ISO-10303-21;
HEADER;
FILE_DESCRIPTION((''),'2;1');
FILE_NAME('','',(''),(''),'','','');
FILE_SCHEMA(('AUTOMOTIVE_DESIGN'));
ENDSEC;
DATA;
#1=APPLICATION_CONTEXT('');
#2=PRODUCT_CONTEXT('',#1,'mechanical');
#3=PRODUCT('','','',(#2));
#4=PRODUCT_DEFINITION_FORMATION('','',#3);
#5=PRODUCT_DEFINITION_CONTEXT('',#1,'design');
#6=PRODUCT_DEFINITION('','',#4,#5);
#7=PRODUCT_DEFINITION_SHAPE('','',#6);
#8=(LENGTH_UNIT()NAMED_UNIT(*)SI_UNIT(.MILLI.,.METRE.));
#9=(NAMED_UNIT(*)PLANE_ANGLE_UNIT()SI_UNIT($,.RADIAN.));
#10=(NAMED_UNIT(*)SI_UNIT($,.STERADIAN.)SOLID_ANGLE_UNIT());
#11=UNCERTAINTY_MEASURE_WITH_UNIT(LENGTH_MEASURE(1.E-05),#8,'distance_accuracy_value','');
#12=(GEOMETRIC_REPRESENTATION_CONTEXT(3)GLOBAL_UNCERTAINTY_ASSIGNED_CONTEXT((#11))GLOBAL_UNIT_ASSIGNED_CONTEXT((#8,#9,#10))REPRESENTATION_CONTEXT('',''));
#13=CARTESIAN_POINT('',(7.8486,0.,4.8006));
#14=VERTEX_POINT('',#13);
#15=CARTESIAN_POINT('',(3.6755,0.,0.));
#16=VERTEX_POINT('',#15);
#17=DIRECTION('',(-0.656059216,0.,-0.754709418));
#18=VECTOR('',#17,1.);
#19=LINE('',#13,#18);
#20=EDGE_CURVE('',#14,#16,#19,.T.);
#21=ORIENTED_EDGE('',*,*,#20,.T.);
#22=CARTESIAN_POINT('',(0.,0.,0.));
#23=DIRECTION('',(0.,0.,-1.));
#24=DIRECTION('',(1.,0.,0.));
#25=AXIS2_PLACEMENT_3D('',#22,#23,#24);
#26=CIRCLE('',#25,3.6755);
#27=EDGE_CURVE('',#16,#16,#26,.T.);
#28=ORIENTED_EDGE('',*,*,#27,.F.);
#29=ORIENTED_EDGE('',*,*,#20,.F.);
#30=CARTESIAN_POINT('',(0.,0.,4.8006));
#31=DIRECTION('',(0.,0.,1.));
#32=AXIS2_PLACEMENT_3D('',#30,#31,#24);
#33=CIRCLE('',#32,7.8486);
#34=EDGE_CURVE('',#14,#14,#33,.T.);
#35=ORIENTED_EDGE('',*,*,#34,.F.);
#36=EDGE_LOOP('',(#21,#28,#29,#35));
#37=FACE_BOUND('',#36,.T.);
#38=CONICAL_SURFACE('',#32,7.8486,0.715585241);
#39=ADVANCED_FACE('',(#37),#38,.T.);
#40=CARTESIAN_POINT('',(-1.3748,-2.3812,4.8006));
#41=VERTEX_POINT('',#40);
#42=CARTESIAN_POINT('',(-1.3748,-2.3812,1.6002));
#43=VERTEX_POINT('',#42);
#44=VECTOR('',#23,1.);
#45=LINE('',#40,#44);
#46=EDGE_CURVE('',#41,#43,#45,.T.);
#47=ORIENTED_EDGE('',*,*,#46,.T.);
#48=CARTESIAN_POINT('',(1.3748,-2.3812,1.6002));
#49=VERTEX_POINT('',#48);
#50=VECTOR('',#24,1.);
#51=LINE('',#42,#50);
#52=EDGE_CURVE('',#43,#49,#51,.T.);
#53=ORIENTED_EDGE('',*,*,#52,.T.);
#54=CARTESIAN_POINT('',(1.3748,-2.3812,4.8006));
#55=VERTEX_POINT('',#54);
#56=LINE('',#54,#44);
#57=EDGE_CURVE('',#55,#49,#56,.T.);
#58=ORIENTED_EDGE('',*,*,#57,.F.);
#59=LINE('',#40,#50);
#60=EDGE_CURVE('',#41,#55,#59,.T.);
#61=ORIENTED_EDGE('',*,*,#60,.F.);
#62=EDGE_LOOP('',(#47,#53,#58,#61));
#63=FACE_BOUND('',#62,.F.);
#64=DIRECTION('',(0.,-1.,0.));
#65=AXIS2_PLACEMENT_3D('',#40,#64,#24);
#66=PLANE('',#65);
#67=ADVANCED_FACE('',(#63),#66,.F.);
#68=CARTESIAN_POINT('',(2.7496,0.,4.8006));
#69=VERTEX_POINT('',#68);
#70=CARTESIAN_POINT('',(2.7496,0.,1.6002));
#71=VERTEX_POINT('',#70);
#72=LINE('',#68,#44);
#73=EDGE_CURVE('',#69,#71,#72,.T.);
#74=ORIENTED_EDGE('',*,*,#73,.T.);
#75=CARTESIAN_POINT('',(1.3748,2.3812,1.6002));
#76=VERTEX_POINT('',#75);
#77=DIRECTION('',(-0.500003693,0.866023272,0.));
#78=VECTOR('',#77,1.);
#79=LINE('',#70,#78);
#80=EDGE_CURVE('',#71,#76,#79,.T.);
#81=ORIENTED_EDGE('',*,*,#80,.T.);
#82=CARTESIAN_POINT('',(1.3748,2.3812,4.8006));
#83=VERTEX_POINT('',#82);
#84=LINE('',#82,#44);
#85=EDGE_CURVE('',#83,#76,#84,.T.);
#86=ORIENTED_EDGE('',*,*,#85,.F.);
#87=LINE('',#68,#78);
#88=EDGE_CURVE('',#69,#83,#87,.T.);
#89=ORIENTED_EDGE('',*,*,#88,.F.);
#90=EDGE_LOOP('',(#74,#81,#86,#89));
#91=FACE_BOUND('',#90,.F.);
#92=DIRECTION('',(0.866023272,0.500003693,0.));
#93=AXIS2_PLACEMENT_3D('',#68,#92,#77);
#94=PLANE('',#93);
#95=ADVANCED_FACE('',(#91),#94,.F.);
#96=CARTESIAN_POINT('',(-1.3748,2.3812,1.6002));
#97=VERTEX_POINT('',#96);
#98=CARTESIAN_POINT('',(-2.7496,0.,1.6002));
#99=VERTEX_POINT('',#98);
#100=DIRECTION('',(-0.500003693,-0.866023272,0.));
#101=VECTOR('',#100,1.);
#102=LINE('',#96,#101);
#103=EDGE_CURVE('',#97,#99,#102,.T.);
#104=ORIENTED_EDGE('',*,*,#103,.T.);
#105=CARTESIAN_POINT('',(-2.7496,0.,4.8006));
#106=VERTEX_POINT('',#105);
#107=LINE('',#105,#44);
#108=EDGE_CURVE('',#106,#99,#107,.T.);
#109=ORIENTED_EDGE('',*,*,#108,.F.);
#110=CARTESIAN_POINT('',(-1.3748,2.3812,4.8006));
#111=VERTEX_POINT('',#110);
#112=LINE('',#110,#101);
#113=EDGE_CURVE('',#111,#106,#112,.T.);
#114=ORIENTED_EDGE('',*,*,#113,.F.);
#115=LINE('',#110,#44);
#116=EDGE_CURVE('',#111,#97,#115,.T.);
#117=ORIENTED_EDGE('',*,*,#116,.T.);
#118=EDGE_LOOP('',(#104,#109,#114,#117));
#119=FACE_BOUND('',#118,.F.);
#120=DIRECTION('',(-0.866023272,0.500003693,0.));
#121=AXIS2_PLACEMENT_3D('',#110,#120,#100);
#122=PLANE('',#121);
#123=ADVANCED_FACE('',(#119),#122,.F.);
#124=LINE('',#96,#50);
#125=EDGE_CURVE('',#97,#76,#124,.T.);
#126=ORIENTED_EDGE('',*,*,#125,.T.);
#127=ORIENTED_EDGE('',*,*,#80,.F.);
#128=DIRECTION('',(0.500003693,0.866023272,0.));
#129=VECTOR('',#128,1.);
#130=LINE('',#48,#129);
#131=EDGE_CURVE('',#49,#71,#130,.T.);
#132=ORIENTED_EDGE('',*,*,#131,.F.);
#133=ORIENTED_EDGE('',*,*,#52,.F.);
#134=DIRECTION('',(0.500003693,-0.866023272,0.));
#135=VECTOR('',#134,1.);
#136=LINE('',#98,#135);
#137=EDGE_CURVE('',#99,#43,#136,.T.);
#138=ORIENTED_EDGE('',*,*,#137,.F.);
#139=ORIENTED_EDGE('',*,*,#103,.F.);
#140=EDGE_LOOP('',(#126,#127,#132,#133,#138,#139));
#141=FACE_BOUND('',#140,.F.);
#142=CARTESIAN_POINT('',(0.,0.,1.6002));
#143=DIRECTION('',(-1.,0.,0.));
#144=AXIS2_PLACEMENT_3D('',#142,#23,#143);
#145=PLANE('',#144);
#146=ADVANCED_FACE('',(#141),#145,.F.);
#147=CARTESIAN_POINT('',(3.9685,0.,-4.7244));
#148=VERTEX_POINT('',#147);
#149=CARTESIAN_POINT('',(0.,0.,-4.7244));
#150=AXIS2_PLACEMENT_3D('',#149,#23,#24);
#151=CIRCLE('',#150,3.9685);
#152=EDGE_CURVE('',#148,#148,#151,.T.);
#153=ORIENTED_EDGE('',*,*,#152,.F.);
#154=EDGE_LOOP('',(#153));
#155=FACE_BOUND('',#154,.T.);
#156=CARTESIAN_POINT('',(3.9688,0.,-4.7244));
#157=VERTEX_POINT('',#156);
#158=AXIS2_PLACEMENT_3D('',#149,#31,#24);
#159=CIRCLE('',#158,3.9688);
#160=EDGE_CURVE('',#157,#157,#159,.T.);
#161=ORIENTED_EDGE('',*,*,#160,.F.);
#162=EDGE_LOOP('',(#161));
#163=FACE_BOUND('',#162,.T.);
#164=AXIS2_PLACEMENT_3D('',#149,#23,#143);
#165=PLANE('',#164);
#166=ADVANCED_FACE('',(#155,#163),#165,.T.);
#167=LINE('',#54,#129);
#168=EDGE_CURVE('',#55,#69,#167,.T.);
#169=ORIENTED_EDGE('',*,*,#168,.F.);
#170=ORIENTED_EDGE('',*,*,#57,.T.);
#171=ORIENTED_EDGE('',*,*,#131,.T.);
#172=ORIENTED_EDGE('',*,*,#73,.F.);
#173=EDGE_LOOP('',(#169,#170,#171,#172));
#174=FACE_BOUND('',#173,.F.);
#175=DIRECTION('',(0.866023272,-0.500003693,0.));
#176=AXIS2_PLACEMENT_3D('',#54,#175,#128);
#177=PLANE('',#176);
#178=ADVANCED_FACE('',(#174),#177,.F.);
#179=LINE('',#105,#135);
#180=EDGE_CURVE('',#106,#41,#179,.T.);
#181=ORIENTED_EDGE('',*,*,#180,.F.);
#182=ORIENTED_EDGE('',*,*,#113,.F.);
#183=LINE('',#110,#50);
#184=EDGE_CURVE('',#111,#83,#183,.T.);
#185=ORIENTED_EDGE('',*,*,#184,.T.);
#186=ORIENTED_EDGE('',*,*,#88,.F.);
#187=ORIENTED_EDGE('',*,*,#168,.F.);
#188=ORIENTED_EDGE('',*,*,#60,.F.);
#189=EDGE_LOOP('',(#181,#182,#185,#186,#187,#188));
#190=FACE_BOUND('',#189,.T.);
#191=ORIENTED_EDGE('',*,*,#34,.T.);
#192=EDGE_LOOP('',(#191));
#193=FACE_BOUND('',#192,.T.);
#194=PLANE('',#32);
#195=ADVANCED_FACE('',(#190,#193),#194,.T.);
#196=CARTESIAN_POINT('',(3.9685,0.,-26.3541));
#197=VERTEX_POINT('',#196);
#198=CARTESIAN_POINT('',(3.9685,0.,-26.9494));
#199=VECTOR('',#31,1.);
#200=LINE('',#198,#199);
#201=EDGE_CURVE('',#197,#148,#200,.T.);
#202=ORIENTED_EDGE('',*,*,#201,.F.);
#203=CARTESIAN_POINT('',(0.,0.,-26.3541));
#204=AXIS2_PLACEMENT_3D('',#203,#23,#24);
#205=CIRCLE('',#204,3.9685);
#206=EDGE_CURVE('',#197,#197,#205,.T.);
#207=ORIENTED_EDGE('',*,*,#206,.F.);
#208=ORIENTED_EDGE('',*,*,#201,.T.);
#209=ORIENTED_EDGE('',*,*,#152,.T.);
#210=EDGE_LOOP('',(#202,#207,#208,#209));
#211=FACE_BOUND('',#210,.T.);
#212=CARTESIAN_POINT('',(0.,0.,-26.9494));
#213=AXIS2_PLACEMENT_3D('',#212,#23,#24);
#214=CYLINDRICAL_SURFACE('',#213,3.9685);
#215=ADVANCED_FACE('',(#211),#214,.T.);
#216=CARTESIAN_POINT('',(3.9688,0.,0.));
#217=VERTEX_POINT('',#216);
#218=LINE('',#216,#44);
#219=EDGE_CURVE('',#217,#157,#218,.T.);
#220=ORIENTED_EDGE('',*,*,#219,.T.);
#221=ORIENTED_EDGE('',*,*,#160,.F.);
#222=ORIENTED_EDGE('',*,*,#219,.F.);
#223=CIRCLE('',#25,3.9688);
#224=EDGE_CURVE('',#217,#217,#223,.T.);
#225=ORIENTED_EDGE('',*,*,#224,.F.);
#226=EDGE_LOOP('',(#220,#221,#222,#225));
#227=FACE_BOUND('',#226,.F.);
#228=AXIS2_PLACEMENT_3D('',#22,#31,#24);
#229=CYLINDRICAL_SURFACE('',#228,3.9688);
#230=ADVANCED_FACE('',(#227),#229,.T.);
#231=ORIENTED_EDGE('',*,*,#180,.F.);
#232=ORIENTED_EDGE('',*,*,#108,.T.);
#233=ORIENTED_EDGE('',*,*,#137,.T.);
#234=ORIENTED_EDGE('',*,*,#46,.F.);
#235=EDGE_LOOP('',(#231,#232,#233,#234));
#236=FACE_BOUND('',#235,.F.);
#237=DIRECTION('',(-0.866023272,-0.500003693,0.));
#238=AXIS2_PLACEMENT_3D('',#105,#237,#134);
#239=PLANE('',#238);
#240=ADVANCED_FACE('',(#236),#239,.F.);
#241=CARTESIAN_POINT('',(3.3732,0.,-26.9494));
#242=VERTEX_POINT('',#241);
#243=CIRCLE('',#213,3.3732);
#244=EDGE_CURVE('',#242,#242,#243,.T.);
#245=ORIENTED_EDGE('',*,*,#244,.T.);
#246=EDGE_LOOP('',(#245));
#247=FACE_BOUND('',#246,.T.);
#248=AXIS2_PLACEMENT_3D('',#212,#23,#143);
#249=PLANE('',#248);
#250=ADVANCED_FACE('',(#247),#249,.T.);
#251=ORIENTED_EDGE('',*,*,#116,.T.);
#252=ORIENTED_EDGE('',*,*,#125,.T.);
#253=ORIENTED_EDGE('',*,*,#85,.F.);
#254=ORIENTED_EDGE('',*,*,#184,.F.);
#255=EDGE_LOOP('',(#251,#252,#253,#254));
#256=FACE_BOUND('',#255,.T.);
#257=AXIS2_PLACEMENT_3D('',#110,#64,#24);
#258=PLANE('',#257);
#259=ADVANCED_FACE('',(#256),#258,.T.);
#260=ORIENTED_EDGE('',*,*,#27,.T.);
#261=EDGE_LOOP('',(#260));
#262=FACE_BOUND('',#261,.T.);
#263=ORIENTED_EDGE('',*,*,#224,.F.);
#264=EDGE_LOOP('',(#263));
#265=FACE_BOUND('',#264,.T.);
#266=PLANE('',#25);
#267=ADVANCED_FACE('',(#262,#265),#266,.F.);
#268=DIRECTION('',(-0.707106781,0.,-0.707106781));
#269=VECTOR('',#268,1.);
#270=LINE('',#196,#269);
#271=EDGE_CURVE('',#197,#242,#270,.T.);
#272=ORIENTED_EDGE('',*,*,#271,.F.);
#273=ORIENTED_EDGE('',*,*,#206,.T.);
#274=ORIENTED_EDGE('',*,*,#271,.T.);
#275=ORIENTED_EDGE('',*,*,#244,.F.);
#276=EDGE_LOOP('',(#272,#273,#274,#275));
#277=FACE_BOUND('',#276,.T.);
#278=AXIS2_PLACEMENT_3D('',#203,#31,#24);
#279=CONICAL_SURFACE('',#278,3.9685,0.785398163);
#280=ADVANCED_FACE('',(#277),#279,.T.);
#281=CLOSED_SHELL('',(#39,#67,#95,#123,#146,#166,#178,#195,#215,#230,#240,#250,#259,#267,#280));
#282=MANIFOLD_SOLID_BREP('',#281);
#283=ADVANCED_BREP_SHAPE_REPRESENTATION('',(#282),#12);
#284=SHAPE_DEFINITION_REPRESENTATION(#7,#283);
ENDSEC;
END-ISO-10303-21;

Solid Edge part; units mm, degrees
sketch "Sketch1" plane through (0, 0, 0) normal (0, 0, 1) x (1, 0, 0)
  circle A0 centre (0, 0) radius 7.8486
  dimension "D1" = 15.6972
extrude "Protrusion1" add sketch "Sketch1" along normal blind 4.8006
sketch "Sketch2" plane through (0, 0, 0) normal (0, 0, -1) x (1, 0, 0)
  circle A0 centre (0, 0) radius 3.9688
extrude "Protrusion2" add sketch "Sketch2" along normal blind 26.9494
sketch "Sketch3" plane through (0, 0, -26.9494) normal (0, 0, -1) x (1, 0, 0)
  circle A0 centre (0, 0) radius 3.9685
extrude "Cutout1" cut sketch "Sketch3" against normal blind 22.225 flip side to cut
chamfer "Chamfer_1" distance 0.5953 angle 45 1 edges at (-3.9685, 0, -26.9494)
sketch "Sketch4" plane through (0, 0, 4.8006) normal (0, 0, 1) x (1, 0, 0)
  line L0 (-1.3748, 2.3812) -> (1.3748, 2.3812)
  line L1 (2.7496, 0) -> (1.3748, 2.3812)
  line L2 (1.3748, -2.3812) -> (2.7496, 0)
  line L3 (-1.3748, -2.3812) -> (1.3748, -2.3812)
  line L4 (-2.7496, 0) -> (-1.3748, -2.3812)
  line L5 (-1.3748, 2.3812) -> (-2.7496, 0)
  dimension "D1" = 4.7625
extrude "Cutout2" cut sketch "Sketch4" against normal blind 3.2004
sketch "Sketch5" plane through (0, 0, 0) normal (0, -1, 0) x (1, 0, 0)
  line L0 (7.8486, 4.8006) -> (3.6755, 0)
  line L1 (3.6755, 0) -> (7.8486, 0)
  line L2 (7.8486, 0) -> (7.8486, 4.8006)
revolve "RevolvedCutout1" cut sketch "Sketch5" angle 360 about axis through (0, 0, 14.0017) along (0, 0, -1)
properties part number "117616"
